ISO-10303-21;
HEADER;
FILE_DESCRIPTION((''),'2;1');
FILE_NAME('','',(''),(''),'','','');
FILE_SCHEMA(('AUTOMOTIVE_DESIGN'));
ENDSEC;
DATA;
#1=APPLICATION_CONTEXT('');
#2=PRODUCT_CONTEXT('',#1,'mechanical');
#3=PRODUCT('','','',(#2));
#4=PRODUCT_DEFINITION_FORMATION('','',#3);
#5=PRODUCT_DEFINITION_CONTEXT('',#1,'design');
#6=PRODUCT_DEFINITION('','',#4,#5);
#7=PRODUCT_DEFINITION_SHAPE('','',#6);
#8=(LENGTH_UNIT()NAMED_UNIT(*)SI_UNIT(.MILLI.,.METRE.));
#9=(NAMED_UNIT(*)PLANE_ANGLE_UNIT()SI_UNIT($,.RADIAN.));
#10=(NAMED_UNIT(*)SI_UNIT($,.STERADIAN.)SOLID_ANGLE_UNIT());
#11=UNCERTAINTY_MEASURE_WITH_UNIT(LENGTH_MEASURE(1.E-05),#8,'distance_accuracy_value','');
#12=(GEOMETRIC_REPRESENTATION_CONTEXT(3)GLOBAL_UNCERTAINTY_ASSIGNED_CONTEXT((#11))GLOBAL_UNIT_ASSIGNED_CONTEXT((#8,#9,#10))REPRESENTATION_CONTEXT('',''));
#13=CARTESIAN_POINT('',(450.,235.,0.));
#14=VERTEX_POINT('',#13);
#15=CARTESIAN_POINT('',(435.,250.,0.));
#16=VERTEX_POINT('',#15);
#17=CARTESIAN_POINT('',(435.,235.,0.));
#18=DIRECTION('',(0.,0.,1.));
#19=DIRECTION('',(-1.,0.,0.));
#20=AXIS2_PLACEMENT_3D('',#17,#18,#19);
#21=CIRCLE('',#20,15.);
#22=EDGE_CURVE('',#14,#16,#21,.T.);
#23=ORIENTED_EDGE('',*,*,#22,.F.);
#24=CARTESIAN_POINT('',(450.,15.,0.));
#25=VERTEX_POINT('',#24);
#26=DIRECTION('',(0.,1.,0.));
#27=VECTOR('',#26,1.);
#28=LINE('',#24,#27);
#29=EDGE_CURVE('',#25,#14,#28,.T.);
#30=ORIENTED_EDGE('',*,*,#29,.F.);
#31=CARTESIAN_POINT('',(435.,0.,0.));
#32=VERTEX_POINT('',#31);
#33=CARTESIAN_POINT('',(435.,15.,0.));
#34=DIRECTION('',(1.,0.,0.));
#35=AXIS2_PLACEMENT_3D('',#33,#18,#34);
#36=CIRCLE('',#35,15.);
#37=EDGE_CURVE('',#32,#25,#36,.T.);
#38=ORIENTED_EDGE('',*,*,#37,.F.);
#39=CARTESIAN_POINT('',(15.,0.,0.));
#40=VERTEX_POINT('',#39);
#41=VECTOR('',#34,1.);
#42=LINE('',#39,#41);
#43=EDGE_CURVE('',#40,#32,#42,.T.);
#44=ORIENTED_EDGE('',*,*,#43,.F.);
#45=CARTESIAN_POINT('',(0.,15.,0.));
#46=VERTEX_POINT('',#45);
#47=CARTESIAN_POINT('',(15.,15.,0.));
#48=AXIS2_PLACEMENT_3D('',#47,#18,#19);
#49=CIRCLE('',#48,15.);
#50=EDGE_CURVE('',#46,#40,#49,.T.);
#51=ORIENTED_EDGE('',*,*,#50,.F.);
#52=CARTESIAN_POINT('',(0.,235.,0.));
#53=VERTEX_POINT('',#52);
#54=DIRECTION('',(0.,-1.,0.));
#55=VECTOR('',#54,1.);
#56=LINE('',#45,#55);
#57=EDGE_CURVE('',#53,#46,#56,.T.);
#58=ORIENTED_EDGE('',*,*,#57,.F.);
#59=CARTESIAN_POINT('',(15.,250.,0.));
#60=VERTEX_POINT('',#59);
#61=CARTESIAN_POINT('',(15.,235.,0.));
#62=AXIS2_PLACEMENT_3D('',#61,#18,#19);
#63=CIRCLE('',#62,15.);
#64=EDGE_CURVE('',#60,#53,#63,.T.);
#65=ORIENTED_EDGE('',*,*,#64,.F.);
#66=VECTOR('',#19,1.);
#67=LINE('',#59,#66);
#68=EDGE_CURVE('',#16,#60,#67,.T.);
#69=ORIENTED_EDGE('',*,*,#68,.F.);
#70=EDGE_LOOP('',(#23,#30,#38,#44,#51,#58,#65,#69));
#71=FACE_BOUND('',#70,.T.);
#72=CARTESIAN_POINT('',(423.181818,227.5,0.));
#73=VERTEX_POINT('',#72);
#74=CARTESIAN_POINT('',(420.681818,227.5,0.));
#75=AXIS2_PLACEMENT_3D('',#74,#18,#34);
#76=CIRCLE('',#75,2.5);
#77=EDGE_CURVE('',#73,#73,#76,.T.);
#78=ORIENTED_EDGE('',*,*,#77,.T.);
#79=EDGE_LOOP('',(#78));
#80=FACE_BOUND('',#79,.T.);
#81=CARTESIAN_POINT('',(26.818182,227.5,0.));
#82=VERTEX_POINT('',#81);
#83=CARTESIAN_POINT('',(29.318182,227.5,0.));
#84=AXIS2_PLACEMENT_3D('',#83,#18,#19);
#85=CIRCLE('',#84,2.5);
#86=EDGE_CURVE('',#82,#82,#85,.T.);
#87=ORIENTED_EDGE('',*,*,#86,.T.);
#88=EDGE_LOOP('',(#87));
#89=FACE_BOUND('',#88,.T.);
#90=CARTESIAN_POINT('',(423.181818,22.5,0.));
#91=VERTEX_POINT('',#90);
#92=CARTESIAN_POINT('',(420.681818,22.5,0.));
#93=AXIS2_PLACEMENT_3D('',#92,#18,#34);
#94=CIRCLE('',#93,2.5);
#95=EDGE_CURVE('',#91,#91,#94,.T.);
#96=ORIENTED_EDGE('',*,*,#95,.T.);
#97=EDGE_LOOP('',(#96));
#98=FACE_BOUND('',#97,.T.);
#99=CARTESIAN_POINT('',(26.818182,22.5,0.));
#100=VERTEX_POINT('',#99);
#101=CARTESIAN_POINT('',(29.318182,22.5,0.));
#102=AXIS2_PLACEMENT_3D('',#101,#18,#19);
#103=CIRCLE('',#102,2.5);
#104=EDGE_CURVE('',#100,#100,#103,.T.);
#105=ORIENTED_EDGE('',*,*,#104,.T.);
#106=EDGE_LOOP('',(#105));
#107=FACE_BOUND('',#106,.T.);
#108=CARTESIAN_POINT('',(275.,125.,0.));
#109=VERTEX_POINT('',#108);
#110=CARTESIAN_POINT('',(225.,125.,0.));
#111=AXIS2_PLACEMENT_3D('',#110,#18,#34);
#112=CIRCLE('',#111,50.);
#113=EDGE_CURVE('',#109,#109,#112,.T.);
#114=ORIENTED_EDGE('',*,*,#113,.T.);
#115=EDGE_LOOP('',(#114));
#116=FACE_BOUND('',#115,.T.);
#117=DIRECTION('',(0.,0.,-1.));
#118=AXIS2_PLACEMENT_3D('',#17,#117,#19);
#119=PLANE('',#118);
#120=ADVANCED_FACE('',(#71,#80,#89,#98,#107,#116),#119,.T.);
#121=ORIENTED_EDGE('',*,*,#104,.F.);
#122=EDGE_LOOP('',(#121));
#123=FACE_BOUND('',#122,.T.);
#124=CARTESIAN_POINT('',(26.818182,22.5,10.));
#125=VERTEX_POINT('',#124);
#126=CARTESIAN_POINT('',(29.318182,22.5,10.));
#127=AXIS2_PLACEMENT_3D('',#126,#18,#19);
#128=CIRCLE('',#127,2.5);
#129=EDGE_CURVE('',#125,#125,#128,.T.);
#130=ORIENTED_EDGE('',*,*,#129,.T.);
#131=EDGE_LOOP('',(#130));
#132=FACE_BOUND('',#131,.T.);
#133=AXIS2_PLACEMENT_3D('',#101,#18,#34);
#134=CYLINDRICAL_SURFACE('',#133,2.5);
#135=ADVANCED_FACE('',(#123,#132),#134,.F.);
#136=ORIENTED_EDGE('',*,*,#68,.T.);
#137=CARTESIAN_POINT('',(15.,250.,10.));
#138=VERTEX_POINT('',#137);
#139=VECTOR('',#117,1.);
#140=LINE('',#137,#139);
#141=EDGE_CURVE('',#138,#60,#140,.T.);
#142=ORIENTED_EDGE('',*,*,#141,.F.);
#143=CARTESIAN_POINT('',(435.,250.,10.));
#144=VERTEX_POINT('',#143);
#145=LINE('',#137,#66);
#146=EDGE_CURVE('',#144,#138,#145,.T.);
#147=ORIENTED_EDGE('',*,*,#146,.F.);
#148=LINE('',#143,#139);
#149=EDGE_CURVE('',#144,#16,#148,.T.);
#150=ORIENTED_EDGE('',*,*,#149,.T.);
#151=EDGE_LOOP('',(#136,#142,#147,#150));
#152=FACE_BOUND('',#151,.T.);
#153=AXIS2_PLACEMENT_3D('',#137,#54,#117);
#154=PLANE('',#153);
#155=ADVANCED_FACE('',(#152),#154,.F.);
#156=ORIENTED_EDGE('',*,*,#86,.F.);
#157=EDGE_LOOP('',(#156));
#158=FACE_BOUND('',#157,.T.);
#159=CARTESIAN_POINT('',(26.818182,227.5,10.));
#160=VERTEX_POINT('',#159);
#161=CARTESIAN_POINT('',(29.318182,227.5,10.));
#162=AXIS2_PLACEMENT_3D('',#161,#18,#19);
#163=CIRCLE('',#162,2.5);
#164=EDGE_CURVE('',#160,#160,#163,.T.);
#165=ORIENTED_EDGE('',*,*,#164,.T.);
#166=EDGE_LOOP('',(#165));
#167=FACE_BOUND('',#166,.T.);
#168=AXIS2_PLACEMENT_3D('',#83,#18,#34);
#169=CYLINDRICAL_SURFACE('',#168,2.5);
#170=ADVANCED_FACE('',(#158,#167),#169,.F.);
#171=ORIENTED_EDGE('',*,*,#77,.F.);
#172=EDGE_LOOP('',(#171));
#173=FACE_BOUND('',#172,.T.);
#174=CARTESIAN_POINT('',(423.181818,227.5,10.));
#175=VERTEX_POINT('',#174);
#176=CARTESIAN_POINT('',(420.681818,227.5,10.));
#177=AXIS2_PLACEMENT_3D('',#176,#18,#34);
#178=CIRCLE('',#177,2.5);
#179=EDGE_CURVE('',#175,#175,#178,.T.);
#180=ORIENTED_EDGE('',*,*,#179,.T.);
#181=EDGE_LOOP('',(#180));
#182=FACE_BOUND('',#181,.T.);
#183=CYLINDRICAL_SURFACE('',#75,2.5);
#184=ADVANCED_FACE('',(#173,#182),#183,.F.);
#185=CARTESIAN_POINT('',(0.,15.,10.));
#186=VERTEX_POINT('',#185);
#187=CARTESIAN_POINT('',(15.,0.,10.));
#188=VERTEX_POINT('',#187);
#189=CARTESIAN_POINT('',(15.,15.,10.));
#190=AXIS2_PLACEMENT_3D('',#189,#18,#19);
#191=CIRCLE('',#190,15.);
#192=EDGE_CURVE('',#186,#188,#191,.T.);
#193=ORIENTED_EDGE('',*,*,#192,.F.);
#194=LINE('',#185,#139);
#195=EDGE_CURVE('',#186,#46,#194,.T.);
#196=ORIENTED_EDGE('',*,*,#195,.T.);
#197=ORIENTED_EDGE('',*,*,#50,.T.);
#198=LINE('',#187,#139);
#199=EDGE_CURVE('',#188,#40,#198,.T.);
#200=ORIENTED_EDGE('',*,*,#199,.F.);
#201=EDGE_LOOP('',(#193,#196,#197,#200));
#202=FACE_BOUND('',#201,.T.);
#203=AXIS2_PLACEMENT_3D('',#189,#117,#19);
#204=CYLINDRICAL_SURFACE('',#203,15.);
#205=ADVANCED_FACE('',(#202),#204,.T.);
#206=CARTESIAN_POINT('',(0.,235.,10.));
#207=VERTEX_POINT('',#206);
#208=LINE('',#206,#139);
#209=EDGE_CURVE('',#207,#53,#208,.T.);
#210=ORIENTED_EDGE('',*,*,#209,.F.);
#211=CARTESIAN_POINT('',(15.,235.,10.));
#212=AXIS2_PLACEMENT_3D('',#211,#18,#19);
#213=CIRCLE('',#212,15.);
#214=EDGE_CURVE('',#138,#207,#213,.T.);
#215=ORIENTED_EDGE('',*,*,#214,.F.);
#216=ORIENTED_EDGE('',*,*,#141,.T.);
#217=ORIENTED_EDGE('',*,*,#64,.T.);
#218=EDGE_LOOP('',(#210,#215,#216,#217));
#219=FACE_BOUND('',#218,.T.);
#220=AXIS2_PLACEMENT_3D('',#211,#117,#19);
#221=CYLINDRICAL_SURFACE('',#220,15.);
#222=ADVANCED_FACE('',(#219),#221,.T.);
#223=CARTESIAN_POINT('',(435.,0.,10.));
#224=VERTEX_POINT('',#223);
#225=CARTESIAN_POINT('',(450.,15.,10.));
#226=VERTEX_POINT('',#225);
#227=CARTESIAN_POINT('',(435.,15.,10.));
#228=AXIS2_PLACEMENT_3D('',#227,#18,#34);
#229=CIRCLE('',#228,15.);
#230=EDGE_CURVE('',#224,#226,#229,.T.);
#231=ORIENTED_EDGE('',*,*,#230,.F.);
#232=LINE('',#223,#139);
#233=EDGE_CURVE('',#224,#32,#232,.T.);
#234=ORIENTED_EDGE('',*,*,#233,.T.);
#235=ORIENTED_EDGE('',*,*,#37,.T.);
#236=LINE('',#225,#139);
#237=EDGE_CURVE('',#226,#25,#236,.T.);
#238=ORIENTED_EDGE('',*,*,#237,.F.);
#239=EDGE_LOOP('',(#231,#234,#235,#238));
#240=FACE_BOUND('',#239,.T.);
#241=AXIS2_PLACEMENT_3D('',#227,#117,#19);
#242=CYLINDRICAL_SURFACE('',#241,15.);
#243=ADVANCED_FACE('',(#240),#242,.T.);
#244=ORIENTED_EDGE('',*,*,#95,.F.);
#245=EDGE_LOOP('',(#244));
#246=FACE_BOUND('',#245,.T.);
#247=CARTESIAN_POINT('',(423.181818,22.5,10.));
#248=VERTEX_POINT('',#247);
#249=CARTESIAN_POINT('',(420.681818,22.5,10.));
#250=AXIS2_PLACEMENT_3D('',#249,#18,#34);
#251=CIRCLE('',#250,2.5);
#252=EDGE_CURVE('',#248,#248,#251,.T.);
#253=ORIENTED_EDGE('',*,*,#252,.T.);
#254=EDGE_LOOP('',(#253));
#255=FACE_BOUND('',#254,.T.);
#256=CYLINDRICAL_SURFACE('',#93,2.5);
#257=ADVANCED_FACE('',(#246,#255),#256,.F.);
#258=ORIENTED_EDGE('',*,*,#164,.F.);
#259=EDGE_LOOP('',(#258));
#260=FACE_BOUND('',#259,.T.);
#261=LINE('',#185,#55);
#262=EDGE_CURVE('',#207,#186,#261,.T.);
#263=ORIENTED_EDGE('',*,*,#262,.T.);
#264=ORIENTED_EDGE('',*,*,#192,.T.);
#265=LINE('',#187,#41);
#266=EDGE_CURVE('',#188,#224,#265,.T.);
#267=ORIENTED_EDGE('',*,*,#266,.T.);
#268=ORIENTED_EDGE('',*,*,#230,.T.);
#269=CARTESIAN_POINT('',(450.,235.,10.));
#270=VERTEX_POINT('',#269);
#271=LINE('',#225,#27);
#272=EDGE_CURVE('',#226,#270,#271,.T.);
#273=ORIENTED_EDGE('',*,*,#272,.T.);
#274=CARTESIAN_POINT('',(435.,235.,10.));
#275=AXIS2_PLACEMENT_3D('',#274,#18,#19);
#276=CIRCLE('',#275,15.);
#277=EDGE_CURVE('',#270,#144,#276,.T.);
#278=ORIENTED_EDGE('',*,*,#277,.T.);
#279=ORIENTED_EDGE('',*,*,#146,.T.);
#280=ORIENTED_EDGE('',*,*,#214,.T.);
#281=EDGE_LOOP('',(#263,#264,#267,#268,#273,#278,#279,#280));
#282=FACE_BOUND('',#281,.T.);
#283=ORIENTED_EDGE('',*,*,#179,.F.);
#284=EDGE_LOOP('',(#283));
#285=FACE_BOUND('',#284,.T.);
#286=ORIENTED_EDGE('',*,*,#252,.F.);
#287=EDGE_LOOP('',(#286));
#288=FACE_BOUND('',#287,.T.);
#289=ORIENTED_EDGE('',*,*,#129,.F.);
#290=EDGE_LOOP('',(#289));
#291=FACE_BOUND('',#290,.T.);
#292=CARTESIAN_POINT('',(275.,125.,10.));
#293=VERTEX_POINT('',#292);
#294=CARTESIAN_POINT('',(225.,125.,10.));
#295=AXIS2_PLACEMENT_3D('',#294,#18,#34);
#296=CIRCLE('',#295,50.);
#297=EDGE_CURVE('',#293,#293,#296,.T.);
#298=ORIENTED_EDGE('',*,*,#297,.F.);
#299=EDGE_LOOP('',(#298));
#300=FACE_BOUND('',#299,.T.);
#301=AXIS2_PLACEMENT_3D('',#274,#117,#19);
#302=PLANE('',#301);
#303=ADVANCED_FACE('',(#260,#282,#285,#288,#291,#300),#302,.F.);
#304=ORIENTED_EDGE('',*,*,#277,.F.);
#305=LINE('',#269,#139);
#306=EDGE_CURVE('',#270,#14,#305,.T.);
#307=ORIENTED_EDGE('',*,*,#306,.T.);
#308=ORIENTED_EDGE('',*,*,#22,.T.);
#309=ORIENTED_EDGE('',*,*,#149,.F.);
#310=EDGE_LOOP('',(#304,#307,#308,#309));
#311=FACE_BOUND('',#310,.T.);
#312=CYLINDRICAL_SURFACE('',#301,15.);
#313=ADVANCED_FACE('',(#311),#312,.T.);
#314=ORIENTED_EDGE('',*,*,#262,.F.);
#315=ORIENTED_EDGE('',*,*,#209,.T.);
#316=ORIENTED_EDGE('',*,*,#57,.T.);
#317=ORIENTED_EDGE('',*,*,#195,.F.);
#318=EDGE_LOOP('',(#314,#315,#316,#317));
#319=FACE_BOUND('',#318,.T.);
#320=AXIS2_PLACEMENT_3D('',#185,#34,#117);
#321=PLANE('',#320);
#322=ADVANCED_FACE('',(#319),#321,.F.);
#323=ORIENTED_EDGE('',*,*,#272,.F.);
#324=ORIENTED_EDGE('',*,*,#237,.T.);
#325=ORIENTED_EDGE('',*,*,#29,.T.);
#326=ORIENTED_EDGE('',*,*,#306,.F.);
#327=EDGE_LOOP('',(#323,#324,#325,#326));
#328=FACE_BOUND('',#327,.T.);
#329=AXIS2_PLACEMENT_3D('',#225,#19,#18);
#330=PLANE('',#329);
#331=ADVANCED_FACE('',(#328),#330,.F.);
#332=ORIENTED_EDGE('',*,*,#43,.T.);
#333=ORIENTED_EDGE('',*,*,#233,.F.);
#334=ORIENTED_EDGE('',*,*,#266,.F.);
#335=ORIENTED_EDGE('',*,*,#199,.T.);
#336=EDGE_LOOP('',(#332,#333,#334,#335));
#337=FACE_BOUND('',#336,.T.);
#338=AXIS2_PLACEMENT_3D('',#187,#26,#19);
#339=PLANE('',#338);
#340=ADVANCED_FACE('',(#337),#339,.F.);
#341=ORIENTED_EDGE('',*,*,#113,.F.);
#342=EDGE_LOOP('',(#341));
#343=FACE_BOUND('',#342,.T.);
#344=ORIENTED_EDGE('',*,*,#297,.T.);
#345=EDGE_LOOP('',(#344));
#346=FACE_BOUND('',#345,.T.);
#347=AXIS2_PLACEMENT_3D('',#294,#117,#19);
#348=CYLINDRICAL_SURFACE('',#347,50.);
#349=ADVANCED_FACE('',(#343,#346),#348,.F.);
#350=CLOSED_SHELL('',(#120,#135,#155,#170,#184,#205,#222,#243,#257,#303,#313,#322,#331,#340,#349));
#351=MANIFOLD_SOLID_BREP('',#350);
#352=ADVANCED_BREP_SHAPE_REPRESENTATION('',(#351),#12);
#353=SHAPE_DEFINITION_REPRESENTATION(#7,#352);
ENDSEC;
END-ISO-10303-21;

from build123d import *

# Parameters (mm, degrees)
CROQUIS1_R              = 50
SALIENTE_EXTRUIR1_DEPTH = 10
CROQUIS2_R              = 2.5
CORTAR_EXTRUIR1_DEPTH   = 10


with BuildPart() as part:
    # Croquis1 → Saliente-Extruir1 (new body)
    with BuildSketch(Plane.XY):
        with BuildLine():
            Line((15, 0), (435, 0))
            ThreePointArc((435, 0), (445.606601718, 4.393398282), (450, 15))
            Line((450, 15), (450, 235))
            ThreePointArc((450, 235), (445.606601718, 245.606601718), (435, 250))
            Line((435, 250), (15, 250))
            ThreePointArc((15, 250), (4.393398282, 245.606601718), (0, 235))
            Line((0, 235), (0, 15))
            ThreePointArc((0, 15), (4.393398282, 4.393398282), (15, 0))
        make_face()
        with Locations((225, 125)):
            Circle(CROQUIS1_R, mode=Mode.SUBTRACT)
    extrude(amount=SALIENTE_EXTRUIR1_DEPTH)

    # Croquis2 → Cortar-Extruir1 (cut)
    with BuildSketch(Plane.XY.offset(10)):
        with Locations((420.681818182, 22.5)):
            Circle(CROQUIS2_R)
        with Locations((420.681818182, 227.5)):
            Circle(CROQUIS2_R)
        with Locations(Location((29.318181818, 227.5, 0), (0, 0, 180))):
            Circle(CROQUIS2_R)
        with Locations(Location((29.318181818, 22.5, 0), (0, 0, 180))):
            Circle(CROQUIS2_R)
    extrude(amount=-CORTAR_EXTRUIR1_DEPTH, mode=Mode.SUBTRACT)


solid = part.part
